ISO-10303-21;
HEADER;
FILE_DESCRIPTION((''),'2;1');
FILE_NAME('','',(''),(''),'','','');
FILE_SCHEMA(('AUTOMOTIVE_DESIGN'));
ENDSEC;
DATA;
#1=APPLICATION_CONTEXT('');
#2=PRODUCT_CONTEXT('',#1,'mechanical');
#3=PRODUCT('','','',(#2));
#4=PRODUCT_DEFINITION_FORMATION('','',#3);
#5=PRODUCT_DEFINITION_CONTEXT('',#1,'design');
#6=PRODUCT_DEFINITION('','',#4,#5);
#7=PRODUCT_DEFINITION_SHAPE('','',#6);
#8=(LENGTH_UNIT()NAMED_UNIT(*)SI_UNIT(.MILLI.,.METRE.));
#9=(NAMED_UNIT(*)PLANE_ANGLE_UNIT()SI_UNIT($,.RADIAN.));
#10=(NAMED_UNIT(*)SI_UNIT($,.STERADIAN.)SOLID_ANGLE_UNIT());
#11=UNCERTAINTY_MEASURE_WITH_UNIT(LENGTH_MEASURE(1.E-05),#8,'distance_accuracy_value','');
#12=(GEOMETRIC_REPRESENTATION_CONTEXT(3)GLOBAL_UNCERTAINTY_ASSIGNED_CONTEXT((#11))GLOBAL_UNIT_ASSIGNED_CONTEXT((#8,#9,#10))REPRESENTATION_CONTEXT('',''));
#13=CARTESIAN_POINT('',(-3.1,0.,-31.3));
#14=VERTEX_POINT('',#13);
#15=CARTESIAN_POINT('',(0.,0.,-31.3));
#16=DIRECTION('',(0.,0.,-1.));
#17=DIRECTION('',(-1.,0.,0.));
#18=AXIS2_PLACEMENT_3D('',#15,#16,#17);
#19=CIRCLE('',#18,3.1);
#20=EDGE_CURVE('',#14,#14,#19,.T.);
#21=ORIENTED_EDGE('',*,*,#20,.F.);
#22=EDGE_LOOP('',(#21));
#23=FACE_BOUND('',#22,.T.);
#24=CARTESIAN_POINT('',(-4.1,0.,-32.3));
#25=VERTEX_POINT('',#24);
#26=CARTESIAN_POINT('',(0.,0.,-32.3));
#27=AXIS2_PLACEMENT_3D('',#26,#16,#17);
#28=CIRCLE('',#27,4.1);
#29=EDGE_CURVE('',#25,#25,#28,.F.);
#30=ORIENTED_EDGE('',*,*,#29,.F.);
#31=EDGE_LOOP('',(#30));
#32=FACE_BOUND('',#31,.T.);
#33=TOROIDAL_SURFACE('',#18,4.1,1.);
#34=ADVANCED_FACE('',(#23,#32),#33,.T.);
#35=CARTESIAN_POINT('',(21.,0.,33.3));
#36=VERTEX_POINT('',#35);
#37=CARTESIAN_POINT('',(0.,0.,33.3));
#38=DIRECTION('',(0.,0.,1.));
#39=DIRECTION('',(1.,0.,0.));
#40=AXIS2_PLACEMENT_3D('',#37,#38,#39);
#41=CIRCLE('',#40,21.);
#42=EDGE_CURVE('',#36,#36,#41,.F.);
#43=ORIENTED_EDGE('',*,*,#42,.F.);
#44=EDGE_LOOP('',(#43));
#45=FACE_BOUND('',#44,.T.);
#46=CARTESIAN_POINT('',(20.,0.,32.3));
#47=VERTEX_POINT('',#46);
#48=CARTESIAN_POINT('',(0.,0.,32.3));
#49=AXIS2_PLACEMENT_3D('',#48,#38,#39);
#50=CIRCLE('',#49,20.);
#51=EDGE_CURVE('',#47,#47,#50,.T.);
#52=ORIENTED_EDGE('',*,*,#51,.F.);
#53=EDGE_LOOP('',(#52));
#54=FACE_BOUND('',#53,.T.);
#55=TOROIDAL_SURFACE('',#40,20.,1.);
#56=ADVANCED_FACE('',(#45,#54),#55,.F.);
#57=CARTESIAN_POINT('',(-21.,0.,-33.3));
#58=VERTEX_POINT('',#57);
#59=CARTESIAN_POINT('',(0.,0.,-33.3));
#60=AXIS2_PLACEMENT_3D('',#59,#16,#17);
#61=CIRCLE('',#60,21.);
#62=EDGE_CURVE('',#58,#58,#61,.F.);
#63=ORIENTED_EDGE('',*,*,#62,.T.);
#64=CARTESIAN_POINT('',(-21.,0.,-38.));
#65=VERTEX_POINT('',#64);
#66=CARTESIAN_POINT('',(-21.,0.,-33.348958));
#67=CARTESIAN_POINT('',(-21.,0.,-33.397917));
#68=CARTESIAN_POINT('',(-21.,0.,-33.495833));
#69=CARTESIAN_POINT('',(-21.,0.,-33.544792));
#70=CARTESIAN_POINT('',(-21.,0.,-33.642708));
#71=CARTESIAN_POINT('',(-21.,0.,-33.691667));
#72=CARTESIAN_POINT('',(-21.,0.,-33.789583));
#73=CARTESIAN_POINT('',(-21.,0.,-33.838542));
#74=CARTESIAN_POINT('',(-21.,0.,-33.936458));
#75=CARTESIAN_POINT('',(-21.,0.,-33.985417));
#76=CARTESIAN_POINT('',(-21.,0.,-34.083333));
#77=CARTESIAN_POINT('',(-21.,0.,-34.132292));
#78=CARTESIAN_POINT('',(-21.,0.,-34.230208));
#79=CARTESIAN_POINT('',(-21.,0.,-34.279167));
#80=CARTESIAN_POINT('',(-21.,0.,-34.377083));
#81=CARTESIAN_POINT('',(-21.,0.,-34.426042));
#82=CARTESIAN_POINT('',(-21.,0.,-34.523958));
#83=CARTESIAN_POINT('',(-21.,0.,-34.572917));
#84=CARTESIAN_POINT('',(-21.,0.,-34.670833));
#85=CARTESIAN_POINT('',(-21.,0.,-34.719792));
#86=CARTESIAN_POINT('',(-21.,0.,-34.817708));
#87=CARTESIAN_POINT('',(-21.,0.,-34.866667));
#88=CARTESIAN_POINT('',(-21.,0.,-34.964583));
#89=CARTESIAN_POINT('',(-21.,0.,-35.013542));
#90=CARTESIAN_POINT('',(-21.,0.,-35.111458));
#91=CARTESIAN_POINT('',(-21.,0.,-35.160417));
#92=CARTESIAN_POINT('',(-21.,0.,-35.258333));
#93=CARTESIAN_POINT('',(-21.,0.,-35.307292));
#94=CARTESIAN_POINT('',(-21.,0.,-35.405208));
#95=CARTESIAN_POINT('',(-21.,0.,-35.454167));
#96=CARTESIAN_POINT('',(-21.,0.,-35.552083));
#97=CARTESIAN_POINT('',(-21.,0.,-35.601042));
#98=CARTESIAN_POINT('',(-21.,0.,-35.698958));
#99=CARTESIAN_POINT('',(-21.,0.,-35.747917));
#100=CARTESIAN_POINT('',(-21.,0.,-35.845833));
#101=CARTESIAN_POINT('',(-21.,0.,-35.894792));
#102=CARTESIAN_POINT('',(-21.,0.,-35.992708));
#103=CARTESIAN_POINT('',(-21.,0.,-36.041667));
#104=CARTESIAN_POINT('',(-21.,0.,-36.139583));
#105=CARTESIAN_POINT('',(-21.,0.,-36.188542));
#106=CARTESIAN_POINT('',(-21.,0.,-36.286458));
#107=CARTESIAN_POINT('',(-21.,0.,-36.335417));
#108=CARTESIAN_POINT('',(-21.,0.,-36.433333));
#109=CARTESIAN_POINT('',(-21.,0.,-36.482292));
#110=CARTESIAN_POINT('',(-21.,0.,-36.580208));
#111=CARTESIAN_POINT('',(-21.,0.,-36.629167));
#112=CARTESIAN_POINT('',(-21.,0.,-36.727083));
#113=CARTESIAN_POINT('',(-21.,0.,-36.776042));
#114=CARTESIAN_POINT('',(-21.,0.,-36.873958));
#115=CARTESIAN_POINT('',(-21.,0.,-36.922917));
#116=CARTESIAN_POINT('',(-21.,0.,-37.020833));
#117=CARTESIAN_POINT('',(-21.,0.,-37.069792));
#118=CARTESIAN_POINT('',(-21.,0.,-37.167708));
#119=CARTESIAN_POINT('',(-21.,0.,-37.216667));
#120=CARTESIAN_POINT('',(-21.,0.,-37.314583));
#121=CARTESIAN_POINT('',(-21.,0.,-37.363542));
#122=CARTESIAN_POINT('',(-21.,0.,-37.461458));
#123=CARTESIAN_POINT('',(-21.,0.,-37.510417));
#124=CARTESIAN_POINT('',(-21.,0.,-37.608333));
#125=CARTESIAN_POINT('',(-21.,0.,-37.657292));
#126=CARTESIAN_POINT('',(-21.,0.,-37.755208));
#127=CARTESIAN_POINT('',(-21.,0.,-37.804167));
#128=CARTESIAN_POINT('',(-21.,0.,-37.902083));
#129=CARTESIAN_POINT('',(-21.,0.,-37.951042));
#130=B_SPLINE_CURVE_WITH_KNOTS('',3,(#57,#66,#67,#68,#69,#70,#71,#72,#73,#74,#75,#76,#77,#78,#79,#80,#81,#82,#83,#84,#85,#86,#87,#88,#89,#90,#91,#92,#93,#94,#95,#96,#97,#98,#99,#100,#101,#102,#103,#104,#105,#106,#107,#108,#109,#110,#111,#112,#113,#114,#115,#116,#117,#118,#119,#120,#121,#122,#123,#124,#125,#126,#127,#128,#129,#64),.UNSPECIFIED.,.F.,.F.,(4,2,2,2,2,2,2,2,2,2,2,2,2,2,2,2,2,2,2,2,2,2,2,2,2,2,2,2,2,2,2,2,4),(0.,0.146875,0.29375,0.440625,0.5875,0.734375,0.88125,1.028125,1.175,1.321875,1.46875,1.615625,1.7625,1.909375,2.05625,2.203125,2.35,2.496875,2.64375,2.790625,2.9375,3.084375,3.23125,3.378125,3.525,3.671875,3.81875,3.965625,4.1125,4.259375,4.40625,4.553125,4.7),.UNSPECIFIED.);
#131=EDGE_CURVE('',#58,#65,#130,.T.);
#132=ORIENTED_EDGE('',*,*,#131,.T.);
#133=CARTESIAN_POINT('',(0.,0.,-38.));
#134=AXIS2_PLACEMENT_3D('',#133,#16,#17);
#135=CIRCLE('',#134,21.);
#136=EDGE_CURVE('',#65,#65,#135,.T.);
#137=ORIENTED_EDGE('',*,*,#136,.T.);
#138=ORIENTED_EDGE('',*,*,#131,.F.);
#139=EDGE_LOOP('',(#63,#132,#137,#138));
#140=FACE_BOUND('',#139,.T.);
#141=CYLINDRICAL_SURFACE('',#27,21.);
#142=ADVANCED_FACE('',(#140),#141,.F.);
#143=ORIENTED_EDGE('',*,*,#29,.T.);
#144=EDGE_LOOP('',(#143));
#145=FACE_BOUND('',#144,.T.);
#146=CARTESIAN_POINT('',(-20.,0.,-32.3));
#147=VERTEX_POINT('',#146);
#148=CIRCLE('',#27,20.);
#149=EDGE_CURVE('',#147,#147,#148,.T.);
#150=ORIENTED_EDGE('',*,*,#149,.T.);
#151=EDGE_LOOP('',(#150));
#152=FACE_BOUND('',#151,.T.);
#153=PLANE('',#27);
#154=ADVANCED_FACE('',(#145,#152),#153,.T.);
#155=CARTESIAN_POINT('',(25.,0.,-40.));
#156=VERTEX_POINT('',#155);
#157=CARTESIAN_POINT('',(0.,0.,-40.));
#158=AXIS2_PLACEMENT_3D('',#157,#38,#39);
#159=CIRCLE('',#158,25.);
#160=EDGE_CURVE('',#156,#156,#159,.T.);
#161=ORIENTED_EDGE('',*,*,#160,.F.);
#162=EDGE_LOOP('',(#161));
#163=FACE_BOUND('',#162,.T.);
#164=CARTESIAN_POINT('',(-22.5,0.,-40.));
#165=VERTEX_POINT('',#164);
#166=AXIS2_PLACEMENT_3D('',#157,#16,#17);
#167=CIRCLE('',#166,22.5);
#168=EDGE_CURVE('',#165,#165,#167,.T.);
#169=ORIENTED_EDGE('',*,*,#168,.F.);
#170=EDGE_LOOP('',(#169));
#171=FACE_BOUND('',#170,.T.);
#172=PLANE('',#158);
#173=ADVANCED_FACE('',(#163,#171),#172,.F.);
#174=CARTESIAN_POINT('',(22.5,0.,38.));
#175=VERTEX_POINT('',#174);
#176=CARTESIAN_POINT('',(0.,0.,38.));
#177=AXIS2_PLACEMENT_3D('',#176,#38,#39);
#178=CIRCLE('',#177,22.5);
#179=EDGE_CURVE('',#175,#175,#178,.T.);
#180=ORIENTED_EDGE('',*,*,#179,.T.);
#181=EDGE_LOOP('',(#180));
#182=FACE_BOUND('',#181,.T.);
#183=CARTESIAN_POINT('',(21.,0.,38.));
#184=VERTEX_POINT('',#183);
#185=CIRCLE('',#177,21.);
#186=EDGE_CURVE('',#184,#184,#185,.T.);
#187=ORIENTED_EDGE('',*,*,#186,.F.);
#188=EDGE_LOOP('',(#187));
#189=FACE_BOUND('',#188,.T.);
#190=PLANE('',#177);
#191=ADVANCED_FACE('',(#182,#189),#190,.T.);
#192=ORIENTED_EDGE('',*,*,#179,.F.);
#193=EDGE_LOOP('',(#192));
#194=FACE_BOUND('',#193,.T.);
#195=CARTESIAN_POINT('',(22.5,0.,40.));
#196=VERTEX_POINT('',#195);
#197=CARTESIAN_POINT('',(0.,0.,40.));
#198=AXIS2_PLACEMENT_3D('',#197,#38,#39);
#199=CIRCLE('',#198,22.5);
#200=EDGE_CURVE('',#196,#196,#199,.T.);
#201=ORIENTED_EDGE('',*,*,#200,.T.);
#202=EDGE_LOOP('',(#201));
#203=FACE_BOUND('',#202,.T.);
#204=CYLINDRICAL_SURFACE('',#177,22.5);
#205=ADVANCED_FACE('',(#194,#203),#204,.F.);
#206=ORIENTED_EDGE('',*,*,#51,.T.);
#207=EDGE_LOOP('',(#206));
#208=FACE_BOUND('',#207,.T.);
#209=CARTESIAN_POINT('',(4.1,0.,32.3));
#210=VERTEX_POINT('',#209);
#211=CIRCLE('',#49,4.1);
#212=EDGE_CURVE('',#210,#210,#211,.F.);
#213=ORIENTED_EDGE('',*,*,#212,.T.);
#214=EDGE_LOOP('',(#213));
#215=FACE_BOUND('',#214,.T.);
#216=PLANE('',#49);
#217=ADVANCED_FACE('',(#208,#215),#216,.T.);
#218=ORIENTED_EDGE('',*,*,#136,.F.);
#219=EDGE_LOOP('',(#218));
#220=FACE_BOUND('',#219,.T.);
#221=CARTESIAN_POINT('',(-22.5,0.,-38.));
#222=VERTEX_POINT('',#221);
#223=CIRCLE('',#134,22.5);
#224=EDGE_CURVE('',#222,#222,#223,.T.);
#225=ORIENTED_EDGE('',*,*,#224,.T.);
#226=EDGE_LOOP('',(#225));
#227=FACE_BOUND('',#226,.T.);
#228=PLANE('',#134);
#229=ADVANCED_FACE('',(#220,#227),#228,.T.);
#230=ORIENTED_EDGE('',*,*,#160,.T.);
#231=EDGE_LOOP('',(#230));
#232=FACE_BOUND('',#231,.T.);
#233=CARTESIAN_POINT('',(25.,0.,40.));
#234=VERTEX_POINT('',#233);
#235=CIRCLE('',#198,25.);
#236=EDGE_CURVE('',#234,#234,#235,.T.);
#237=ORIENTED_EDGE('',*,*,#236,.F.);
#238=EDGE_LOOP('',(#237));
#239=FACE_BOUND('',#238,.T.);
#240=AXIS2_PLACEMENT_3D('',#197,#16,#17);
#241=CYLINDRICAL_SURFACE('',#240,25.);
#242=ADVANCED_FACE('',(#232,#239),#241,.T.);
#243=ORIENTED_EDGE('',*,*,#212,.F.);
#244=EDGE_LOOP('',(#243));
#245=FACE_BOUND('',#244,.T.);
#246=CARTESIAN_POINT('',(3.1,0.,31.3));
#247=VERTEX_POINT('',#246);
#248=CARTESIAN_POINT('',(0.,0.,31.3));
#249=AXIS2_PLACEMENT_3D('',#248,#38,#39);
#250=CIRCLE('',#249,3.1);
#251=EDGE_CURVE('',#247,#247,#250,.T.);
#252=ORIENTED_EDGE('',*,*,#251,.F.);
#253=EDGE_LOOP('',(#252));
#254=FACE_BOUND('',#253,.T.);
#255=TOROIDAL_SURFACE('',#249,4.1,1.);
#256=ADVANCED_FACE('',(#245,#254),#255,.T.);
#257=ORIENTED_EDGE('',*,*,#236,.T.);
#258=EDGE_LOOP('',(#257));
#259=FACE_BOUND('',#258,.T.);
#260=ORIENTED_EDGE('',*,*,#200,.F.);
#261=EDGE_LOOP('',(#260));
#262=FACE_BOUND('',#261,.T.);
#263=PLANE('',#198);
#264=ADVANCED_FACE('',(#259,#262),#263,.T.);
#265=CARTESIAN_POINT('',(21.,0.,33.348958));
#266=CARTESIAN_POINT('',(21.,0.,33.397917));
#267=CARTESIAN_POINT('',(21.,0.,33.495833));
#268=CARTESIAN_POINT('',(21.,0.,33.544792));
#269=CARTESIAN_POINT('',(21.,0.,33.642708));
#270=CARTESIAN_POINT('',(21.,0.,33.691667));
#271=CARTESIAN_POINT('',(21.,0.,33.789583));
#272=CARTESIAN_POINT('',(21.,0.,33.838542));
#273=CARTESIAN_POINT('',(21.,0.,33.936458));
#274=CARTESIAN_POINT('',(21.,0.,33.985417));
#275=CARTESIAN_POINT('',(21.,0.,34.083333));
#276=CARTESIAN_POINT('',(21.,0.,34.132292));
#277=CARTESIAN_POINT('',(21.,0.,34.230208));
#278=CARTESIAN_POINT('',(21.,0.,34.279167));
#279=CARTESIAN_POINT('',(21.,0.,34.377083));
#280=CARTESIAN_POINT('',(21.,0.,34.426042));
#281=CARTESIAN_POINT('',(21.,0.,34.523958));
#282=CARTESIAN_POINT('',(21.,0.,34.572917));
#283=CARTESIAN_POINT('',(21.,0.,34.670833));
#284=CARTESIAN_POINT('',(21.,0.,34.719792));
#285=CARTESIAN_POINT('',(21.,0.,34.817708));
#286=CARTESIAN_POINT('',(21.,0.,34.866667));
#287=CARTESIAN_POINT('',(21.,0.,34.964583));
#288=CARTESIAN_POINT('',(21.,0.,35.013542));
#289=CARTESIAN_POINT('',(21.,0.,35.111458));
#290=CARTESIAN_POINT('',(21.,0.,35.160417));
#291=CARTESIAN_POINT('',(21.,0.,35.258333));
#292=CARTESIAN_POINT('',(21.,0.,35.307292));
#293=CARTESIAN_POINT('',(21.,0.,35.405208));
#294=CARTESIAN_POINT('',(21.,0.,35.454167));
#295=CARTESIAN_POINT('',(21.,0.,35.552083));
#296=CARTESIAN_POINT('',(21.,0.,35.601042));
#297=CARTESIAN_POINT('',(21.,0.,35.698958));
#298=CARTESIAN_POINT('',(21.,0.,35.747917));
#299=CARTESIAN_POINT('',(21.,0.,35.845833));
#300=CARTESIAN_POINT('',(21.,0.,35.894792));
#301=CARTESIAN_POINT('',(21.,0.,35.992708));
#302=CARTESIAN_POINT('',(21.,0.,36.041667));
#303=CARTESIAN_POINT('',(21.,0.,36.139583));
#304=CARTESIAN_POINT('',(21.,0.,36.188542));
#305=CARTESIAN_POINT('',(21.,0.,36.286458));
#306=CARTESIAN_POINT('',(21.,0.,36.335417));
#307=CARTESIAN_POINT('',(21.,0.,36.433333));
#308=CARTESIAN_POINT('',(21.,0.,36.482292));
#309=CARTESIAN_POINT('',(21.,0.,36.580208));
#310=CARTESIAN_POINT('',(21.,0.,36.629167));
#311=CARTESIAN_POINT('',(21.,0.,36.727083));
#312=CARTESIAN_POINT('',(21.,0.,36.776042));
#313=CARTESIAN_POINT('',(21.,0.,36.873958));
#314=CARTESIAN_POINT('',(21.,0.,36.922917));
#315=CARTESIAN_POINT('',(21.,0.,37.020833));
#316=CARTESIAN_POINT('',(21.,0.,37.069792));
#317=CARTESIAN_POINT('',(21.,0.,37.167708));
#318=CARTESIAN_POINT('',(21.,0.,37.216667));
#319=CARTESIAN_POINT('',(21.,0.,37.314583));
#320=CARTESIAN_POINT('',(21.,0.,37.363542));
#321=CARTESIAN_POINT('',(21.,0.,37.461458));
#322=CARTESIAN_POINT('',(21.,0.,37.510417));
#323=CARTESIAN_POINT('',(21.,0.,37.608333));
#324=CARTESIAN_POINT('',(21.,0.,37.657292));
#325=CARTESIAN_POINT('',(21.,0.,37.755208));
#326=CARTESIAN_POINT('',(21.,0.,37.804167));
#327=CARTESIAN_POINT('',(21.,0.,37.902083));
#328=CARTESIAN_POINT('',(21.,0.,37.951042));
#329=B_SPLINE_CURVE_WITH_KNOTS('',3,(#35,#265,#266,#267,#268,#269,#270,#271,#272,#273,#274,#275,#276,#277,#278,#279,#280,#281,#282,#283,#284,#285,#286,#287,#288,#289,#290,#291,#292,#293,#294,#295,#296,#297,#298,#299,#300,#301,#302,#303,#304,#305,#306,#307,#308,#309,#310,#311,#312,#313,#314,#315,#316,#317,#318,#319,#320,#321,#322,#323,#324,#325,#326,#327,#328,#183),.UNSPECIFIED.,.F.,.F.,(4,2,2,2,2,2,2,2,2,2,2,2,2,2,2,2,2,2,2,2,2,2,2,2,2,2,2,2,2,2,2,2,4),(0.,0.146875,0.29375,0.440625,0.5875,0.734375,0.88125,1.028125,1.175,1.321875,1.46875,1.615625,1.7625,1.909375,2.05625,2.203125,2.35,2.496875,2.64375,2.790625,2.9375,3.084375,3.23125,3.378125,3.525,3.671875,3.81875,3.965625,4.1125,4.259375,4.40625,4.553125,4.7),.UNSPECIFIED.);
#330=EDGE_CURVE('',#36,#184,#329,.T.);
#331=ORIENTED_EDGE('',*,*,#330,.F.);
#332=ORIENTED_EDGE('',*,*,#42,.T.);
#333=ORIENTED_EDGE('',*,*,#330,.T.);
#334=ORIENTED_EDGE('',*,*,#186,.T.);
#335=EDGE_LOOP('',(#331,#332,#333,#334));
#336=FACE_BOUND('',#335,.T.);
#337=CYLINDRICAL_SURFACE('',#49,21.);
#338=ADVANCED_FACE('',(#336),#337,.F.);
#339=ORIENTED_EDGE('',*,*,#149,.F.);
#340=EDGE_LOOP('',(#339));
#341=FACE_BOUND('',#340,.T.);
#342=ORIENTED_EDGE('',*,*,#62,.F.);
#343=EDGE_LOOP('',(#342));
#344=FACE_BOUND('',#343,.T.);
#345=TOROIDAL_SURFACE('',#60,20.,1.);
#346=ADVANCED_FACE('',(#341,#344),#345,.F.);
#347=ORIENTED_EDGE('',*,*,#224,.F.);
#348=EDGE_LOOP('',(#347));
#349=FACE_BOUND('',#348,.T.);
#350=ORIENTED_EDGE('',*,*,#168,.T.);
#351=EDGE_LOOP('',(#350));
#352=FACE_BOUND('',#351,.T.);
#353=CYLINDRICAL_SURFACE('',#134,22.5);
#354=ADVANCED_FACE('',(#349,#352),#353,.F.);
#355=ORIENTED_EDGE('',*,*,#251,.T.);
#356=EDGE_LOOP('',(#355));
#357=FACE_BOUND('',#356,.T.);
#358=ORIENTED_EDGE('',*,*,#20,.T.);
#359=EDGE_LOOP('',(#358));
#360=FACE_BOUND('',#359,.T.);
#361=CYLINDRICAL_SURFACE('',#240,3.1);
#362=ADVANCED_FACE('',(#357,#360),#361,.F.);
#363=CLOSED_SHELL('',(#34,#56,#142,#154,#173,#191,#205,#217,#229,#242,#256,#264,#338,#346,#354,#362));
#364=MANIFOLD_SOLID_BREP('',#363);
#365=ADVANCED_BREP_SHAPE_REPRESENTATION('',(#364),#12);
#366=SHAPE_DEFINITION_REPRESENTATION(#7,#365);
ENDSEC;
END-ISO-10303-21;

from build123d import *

# Parameters (mm, degrees)
ESBO_O1_R                = 25
ESBO_O1_R_2              = 3.1
RESSALTO_EXTRUS_O1_DEPTH = 40
ESBO_O3_R                = 21
CORTE_EXTRUS_O1_DEPTH    = 7.7
CORTE_EXTRUS_O2_START    = -7.7
ESBO_O4_R                = 21
CORTE_EXTRUS_O2_DEPTH    = 7.7
FILETE1_R                = 1
ESBO_O11_R               = 22.5
ESBO_O11_R_2             = 21
CORTE_EXTRUS_O3_DEPTH    = 2
CORTE_EXTRUS_O4_START    = -2
ESBO_O12_R               = 22.5
ESBO_O12_R_2             = 21
CORTE_EXTRUS_O4_DEPTH    = 2


with BuildPart() as part:
    # Esboço1 → Ressalto-extrusão1 (new, symmetric)
    with BuildSketch(Plane.XY):
        Circle(ESBO_O1_R)
        Circle(ESBO_O1_R_2, mode=Mode.SUBTRACT)
    extrude(amount=RESSALTO_EXTRUS_O1_DEPTH, both=True)

    # Esboço3 → Corte-extrusão1 (cut)
    with BuildSketch(Plane.XY.offset(40)):
        Circle(ESBO_O3_R)
    extrude(amount=-CORTE_EXTRUS_O1_DEPTH, mode=Mode.SUBTRACT)

    # Esboço4 → Corte-extrusão2 (cut)
    with BuildSketch(Plane(origin=(0, 0, -40), x_dir=(-1, 0, 0), z_dir=(0, 0, -1)).offset(CORTE_EXTRUS_O2_START)):
        with Locations(Location((0, 0, 0), (0, 0, 180))):
            Circle(ESBO_O4_R)
    extrude(amount=CORTE_EXTRUS_O2_DEPTH, mode=Mode.SUBTRACT)

    # Filete1
    filete1_edges = [part.edges().sort_by_distance(p)[0] for p in [
        (-21, 0, 32.3),
        (-3.1, 0, 32.3),
        (-21, 0, -32.3),
        (-3.1, 0, -32.3),
    ]]
    fillet(filete1_edges, radius=FILETE1_R)

    # Esboço11 → Corte-extrusão3 (cut)
    with BuildSketch(Plane.XY.offset(40)):
        Circle(ESBO_O11_R)
        Circle(ESBO_O11_R_2, mode=Mode.SUBTRACT)
    extrude(amount=-CORTE_EXTRUS_O3_DEPTH, mode=Mode.SUBTRACT)

    # Esboço12 → Corte-extrusão4 (cut)
    with BuildSketch(Plane(origin=(0, 0, -40), x_dir=(-1, 0, 0), z_dir=(0, 0, -1)).offset(CORTE_EXTRUS_O4_START)):
        with Locations(Location((0, 0, 0), (0, 0, 180))):
            Circle(ESBO_O12_R)
        Circle(ESBO_O12_R_2, mode=Mode.SUBTRACT)
    extrude(amount=CORTE_EXTRUS_O4_DEPTH, mode=Mode.SUBTRACT)


solid = part.part
